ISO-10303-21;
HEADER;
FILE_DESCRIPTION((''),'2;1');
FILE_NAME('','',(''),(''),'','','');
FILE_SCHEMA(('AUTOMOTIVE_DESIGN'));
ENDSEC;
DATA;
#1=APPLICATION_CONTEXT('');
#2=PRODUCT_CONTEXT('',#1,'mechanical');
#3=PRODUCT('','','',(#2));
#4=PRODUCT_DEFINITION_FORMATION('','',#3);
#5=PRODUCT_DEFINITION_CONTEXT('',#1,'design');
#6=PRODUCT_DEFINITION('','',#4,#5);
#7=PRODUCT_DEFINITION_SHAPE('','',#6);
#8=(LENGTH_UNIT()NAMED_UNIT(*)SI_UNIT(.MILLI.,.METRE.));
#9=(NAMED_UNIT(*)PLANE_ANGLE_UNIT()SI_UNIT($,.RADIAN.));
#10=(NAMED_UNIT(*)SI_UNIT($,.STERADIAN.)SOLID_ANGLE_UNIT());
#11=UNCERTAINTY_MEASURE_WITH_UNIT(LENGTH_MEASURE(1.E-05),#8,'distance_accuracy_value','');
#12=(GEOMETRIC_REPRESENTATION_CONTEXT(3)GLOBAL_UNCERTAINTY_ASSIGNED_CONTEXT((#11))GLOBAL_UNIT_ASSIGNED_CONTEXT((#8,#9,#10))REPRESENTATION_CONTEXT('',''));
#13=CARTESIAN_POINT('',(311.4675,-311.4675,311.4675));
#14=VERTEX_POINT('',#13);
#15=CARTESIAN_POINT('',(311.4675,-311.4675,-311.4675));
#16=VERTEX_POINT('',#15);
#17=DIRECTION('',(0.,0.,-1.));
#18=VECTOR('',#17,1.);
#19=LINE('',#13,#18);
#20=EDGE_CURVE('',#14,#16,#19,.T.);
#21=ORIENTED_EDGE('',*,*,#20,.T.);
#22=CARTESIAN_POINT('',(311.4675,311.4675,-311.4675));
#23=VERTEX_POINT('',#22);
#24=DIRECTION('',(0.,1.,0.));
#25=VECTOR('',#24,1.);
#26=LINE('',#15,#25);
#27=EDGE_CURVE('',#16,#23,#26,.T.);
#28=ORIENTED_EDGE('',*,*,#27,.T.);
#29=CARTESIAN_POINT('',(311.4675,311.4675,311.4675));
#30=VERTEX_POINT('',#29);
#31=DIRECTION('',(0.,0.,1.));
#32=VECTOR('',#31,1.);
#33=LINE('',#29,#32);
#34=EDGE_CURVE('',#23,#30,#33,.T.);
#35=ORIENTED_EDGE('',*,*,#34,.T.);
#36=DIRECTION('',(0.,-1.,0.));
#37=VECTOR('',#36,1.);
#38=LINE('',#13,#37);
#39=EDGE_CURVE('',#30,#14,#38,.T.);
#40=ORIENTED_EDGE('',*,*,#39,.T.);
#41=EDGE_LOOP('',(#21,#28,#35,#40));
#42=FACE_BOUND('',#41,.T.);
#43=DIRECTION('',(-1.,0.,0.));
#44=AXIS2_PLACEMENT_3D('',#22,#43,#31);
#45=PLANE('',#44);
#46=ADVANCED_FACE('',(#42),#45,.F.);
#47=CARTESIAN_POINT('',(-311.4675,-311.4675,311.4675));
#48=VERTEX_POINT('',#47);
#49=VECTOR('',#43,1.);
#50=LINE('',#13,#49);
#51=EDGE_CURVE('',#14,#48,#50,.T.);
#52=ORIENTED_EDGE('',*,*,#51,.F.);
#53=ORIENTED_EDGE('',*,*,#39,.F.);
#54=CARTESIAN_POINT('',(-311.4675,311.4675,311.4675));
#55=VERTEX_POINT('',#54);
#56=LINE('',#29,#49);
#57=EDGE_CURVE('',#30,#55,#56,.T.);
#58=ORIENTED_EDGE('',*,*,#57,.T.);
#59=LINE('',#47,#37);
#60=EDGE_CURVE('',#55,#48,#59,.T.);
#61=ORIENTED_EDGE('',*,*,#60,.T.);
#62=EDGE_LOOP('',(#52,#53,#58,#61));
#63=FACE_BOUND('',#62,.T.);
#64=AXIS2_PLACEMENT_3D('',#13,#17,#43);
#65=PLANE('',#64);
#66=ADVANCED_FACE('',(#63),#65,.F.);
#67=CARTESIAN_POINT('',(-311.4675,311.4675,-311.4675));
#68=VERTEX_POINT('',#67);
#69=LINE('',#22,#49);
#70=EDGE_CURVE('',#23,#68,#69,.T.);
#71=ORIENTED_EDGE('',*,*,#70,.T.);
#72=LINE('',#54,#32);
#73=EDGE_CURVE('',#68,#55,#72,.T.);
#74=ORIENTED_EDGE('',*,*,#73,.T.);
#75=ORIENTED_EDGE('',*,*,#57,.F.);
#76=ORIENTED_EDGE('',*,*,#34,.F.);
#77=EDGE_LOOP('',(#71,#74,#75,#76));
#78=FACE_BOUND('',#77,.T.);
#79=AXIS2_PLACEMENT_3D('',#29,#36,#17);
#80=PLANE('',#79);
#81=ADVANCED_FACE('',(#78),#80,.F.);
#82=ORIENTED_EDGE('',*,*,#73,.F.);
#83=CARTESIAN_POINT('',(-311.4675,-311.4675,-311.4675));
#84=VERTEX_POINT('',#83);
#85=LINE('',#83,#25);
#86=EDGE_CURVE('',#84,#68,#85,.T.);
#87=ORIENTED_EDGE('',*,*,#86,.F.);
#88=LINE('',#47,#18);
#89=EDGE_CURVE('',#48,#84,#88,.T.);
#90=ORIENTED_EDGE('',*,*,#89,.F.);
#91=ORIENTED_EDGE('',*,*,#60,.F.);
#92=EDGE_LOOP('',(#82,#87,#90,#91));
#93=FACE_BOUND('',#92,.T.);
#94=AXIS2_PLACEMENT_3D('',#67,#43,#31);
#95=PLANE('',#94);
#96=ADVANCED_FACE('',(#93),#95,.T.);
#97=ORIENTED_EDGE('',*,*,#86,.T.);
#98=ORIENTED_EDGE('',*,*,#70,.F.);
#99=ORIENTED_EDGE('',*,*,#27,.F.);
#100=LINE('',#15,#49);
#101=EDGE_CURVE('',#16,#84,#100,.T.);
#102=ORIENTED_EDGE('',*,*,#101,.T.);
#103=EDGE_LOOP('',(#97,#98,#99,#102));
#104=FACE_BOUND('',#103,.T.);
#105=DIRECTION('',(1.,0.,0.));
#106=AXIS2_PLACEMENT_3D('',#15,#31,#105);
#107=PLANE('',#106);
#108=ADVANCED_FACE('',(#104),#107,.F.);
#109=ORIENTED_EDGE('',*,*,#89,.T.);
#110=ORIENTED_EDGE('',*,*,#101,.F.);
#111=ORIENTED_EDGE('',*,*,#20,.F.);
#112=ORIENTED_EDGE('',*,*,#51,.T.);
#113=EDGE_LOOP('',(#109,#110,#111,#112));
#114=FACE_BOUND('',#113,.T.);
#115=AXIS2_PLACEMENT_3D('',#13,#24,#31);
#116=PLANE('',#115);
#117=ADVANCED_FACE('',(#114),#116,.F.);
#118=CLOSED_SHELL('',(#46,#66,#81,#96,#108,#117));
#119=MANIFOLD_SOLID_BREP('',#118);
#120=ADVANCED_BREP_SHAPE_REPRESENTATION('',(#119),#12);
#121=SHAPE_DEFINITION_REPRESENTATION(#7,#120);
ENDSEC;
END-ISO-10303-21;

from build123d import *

# Parameters (mm, degrees)
SKETCH1_W           = 622.935
SKETCH1_H           = 622.935
BOSS_EXTRUDE1_DEPTH = 311.4675


with BuildPart() as part:
    # Sketch1 → Boss-Extrude1 (new body, symmetric)
    with BuildSketch(Plane(origin=(0, 0, 0), x_dir=(0, 0, -1), z_dir=(1, 0, 0))):
        Rectangle(SKETCH1_W, SKETCH1_H)
    extrude(amount=BOSS_EXTRUDE1_DEPTH, both=True)


solid = part.part
